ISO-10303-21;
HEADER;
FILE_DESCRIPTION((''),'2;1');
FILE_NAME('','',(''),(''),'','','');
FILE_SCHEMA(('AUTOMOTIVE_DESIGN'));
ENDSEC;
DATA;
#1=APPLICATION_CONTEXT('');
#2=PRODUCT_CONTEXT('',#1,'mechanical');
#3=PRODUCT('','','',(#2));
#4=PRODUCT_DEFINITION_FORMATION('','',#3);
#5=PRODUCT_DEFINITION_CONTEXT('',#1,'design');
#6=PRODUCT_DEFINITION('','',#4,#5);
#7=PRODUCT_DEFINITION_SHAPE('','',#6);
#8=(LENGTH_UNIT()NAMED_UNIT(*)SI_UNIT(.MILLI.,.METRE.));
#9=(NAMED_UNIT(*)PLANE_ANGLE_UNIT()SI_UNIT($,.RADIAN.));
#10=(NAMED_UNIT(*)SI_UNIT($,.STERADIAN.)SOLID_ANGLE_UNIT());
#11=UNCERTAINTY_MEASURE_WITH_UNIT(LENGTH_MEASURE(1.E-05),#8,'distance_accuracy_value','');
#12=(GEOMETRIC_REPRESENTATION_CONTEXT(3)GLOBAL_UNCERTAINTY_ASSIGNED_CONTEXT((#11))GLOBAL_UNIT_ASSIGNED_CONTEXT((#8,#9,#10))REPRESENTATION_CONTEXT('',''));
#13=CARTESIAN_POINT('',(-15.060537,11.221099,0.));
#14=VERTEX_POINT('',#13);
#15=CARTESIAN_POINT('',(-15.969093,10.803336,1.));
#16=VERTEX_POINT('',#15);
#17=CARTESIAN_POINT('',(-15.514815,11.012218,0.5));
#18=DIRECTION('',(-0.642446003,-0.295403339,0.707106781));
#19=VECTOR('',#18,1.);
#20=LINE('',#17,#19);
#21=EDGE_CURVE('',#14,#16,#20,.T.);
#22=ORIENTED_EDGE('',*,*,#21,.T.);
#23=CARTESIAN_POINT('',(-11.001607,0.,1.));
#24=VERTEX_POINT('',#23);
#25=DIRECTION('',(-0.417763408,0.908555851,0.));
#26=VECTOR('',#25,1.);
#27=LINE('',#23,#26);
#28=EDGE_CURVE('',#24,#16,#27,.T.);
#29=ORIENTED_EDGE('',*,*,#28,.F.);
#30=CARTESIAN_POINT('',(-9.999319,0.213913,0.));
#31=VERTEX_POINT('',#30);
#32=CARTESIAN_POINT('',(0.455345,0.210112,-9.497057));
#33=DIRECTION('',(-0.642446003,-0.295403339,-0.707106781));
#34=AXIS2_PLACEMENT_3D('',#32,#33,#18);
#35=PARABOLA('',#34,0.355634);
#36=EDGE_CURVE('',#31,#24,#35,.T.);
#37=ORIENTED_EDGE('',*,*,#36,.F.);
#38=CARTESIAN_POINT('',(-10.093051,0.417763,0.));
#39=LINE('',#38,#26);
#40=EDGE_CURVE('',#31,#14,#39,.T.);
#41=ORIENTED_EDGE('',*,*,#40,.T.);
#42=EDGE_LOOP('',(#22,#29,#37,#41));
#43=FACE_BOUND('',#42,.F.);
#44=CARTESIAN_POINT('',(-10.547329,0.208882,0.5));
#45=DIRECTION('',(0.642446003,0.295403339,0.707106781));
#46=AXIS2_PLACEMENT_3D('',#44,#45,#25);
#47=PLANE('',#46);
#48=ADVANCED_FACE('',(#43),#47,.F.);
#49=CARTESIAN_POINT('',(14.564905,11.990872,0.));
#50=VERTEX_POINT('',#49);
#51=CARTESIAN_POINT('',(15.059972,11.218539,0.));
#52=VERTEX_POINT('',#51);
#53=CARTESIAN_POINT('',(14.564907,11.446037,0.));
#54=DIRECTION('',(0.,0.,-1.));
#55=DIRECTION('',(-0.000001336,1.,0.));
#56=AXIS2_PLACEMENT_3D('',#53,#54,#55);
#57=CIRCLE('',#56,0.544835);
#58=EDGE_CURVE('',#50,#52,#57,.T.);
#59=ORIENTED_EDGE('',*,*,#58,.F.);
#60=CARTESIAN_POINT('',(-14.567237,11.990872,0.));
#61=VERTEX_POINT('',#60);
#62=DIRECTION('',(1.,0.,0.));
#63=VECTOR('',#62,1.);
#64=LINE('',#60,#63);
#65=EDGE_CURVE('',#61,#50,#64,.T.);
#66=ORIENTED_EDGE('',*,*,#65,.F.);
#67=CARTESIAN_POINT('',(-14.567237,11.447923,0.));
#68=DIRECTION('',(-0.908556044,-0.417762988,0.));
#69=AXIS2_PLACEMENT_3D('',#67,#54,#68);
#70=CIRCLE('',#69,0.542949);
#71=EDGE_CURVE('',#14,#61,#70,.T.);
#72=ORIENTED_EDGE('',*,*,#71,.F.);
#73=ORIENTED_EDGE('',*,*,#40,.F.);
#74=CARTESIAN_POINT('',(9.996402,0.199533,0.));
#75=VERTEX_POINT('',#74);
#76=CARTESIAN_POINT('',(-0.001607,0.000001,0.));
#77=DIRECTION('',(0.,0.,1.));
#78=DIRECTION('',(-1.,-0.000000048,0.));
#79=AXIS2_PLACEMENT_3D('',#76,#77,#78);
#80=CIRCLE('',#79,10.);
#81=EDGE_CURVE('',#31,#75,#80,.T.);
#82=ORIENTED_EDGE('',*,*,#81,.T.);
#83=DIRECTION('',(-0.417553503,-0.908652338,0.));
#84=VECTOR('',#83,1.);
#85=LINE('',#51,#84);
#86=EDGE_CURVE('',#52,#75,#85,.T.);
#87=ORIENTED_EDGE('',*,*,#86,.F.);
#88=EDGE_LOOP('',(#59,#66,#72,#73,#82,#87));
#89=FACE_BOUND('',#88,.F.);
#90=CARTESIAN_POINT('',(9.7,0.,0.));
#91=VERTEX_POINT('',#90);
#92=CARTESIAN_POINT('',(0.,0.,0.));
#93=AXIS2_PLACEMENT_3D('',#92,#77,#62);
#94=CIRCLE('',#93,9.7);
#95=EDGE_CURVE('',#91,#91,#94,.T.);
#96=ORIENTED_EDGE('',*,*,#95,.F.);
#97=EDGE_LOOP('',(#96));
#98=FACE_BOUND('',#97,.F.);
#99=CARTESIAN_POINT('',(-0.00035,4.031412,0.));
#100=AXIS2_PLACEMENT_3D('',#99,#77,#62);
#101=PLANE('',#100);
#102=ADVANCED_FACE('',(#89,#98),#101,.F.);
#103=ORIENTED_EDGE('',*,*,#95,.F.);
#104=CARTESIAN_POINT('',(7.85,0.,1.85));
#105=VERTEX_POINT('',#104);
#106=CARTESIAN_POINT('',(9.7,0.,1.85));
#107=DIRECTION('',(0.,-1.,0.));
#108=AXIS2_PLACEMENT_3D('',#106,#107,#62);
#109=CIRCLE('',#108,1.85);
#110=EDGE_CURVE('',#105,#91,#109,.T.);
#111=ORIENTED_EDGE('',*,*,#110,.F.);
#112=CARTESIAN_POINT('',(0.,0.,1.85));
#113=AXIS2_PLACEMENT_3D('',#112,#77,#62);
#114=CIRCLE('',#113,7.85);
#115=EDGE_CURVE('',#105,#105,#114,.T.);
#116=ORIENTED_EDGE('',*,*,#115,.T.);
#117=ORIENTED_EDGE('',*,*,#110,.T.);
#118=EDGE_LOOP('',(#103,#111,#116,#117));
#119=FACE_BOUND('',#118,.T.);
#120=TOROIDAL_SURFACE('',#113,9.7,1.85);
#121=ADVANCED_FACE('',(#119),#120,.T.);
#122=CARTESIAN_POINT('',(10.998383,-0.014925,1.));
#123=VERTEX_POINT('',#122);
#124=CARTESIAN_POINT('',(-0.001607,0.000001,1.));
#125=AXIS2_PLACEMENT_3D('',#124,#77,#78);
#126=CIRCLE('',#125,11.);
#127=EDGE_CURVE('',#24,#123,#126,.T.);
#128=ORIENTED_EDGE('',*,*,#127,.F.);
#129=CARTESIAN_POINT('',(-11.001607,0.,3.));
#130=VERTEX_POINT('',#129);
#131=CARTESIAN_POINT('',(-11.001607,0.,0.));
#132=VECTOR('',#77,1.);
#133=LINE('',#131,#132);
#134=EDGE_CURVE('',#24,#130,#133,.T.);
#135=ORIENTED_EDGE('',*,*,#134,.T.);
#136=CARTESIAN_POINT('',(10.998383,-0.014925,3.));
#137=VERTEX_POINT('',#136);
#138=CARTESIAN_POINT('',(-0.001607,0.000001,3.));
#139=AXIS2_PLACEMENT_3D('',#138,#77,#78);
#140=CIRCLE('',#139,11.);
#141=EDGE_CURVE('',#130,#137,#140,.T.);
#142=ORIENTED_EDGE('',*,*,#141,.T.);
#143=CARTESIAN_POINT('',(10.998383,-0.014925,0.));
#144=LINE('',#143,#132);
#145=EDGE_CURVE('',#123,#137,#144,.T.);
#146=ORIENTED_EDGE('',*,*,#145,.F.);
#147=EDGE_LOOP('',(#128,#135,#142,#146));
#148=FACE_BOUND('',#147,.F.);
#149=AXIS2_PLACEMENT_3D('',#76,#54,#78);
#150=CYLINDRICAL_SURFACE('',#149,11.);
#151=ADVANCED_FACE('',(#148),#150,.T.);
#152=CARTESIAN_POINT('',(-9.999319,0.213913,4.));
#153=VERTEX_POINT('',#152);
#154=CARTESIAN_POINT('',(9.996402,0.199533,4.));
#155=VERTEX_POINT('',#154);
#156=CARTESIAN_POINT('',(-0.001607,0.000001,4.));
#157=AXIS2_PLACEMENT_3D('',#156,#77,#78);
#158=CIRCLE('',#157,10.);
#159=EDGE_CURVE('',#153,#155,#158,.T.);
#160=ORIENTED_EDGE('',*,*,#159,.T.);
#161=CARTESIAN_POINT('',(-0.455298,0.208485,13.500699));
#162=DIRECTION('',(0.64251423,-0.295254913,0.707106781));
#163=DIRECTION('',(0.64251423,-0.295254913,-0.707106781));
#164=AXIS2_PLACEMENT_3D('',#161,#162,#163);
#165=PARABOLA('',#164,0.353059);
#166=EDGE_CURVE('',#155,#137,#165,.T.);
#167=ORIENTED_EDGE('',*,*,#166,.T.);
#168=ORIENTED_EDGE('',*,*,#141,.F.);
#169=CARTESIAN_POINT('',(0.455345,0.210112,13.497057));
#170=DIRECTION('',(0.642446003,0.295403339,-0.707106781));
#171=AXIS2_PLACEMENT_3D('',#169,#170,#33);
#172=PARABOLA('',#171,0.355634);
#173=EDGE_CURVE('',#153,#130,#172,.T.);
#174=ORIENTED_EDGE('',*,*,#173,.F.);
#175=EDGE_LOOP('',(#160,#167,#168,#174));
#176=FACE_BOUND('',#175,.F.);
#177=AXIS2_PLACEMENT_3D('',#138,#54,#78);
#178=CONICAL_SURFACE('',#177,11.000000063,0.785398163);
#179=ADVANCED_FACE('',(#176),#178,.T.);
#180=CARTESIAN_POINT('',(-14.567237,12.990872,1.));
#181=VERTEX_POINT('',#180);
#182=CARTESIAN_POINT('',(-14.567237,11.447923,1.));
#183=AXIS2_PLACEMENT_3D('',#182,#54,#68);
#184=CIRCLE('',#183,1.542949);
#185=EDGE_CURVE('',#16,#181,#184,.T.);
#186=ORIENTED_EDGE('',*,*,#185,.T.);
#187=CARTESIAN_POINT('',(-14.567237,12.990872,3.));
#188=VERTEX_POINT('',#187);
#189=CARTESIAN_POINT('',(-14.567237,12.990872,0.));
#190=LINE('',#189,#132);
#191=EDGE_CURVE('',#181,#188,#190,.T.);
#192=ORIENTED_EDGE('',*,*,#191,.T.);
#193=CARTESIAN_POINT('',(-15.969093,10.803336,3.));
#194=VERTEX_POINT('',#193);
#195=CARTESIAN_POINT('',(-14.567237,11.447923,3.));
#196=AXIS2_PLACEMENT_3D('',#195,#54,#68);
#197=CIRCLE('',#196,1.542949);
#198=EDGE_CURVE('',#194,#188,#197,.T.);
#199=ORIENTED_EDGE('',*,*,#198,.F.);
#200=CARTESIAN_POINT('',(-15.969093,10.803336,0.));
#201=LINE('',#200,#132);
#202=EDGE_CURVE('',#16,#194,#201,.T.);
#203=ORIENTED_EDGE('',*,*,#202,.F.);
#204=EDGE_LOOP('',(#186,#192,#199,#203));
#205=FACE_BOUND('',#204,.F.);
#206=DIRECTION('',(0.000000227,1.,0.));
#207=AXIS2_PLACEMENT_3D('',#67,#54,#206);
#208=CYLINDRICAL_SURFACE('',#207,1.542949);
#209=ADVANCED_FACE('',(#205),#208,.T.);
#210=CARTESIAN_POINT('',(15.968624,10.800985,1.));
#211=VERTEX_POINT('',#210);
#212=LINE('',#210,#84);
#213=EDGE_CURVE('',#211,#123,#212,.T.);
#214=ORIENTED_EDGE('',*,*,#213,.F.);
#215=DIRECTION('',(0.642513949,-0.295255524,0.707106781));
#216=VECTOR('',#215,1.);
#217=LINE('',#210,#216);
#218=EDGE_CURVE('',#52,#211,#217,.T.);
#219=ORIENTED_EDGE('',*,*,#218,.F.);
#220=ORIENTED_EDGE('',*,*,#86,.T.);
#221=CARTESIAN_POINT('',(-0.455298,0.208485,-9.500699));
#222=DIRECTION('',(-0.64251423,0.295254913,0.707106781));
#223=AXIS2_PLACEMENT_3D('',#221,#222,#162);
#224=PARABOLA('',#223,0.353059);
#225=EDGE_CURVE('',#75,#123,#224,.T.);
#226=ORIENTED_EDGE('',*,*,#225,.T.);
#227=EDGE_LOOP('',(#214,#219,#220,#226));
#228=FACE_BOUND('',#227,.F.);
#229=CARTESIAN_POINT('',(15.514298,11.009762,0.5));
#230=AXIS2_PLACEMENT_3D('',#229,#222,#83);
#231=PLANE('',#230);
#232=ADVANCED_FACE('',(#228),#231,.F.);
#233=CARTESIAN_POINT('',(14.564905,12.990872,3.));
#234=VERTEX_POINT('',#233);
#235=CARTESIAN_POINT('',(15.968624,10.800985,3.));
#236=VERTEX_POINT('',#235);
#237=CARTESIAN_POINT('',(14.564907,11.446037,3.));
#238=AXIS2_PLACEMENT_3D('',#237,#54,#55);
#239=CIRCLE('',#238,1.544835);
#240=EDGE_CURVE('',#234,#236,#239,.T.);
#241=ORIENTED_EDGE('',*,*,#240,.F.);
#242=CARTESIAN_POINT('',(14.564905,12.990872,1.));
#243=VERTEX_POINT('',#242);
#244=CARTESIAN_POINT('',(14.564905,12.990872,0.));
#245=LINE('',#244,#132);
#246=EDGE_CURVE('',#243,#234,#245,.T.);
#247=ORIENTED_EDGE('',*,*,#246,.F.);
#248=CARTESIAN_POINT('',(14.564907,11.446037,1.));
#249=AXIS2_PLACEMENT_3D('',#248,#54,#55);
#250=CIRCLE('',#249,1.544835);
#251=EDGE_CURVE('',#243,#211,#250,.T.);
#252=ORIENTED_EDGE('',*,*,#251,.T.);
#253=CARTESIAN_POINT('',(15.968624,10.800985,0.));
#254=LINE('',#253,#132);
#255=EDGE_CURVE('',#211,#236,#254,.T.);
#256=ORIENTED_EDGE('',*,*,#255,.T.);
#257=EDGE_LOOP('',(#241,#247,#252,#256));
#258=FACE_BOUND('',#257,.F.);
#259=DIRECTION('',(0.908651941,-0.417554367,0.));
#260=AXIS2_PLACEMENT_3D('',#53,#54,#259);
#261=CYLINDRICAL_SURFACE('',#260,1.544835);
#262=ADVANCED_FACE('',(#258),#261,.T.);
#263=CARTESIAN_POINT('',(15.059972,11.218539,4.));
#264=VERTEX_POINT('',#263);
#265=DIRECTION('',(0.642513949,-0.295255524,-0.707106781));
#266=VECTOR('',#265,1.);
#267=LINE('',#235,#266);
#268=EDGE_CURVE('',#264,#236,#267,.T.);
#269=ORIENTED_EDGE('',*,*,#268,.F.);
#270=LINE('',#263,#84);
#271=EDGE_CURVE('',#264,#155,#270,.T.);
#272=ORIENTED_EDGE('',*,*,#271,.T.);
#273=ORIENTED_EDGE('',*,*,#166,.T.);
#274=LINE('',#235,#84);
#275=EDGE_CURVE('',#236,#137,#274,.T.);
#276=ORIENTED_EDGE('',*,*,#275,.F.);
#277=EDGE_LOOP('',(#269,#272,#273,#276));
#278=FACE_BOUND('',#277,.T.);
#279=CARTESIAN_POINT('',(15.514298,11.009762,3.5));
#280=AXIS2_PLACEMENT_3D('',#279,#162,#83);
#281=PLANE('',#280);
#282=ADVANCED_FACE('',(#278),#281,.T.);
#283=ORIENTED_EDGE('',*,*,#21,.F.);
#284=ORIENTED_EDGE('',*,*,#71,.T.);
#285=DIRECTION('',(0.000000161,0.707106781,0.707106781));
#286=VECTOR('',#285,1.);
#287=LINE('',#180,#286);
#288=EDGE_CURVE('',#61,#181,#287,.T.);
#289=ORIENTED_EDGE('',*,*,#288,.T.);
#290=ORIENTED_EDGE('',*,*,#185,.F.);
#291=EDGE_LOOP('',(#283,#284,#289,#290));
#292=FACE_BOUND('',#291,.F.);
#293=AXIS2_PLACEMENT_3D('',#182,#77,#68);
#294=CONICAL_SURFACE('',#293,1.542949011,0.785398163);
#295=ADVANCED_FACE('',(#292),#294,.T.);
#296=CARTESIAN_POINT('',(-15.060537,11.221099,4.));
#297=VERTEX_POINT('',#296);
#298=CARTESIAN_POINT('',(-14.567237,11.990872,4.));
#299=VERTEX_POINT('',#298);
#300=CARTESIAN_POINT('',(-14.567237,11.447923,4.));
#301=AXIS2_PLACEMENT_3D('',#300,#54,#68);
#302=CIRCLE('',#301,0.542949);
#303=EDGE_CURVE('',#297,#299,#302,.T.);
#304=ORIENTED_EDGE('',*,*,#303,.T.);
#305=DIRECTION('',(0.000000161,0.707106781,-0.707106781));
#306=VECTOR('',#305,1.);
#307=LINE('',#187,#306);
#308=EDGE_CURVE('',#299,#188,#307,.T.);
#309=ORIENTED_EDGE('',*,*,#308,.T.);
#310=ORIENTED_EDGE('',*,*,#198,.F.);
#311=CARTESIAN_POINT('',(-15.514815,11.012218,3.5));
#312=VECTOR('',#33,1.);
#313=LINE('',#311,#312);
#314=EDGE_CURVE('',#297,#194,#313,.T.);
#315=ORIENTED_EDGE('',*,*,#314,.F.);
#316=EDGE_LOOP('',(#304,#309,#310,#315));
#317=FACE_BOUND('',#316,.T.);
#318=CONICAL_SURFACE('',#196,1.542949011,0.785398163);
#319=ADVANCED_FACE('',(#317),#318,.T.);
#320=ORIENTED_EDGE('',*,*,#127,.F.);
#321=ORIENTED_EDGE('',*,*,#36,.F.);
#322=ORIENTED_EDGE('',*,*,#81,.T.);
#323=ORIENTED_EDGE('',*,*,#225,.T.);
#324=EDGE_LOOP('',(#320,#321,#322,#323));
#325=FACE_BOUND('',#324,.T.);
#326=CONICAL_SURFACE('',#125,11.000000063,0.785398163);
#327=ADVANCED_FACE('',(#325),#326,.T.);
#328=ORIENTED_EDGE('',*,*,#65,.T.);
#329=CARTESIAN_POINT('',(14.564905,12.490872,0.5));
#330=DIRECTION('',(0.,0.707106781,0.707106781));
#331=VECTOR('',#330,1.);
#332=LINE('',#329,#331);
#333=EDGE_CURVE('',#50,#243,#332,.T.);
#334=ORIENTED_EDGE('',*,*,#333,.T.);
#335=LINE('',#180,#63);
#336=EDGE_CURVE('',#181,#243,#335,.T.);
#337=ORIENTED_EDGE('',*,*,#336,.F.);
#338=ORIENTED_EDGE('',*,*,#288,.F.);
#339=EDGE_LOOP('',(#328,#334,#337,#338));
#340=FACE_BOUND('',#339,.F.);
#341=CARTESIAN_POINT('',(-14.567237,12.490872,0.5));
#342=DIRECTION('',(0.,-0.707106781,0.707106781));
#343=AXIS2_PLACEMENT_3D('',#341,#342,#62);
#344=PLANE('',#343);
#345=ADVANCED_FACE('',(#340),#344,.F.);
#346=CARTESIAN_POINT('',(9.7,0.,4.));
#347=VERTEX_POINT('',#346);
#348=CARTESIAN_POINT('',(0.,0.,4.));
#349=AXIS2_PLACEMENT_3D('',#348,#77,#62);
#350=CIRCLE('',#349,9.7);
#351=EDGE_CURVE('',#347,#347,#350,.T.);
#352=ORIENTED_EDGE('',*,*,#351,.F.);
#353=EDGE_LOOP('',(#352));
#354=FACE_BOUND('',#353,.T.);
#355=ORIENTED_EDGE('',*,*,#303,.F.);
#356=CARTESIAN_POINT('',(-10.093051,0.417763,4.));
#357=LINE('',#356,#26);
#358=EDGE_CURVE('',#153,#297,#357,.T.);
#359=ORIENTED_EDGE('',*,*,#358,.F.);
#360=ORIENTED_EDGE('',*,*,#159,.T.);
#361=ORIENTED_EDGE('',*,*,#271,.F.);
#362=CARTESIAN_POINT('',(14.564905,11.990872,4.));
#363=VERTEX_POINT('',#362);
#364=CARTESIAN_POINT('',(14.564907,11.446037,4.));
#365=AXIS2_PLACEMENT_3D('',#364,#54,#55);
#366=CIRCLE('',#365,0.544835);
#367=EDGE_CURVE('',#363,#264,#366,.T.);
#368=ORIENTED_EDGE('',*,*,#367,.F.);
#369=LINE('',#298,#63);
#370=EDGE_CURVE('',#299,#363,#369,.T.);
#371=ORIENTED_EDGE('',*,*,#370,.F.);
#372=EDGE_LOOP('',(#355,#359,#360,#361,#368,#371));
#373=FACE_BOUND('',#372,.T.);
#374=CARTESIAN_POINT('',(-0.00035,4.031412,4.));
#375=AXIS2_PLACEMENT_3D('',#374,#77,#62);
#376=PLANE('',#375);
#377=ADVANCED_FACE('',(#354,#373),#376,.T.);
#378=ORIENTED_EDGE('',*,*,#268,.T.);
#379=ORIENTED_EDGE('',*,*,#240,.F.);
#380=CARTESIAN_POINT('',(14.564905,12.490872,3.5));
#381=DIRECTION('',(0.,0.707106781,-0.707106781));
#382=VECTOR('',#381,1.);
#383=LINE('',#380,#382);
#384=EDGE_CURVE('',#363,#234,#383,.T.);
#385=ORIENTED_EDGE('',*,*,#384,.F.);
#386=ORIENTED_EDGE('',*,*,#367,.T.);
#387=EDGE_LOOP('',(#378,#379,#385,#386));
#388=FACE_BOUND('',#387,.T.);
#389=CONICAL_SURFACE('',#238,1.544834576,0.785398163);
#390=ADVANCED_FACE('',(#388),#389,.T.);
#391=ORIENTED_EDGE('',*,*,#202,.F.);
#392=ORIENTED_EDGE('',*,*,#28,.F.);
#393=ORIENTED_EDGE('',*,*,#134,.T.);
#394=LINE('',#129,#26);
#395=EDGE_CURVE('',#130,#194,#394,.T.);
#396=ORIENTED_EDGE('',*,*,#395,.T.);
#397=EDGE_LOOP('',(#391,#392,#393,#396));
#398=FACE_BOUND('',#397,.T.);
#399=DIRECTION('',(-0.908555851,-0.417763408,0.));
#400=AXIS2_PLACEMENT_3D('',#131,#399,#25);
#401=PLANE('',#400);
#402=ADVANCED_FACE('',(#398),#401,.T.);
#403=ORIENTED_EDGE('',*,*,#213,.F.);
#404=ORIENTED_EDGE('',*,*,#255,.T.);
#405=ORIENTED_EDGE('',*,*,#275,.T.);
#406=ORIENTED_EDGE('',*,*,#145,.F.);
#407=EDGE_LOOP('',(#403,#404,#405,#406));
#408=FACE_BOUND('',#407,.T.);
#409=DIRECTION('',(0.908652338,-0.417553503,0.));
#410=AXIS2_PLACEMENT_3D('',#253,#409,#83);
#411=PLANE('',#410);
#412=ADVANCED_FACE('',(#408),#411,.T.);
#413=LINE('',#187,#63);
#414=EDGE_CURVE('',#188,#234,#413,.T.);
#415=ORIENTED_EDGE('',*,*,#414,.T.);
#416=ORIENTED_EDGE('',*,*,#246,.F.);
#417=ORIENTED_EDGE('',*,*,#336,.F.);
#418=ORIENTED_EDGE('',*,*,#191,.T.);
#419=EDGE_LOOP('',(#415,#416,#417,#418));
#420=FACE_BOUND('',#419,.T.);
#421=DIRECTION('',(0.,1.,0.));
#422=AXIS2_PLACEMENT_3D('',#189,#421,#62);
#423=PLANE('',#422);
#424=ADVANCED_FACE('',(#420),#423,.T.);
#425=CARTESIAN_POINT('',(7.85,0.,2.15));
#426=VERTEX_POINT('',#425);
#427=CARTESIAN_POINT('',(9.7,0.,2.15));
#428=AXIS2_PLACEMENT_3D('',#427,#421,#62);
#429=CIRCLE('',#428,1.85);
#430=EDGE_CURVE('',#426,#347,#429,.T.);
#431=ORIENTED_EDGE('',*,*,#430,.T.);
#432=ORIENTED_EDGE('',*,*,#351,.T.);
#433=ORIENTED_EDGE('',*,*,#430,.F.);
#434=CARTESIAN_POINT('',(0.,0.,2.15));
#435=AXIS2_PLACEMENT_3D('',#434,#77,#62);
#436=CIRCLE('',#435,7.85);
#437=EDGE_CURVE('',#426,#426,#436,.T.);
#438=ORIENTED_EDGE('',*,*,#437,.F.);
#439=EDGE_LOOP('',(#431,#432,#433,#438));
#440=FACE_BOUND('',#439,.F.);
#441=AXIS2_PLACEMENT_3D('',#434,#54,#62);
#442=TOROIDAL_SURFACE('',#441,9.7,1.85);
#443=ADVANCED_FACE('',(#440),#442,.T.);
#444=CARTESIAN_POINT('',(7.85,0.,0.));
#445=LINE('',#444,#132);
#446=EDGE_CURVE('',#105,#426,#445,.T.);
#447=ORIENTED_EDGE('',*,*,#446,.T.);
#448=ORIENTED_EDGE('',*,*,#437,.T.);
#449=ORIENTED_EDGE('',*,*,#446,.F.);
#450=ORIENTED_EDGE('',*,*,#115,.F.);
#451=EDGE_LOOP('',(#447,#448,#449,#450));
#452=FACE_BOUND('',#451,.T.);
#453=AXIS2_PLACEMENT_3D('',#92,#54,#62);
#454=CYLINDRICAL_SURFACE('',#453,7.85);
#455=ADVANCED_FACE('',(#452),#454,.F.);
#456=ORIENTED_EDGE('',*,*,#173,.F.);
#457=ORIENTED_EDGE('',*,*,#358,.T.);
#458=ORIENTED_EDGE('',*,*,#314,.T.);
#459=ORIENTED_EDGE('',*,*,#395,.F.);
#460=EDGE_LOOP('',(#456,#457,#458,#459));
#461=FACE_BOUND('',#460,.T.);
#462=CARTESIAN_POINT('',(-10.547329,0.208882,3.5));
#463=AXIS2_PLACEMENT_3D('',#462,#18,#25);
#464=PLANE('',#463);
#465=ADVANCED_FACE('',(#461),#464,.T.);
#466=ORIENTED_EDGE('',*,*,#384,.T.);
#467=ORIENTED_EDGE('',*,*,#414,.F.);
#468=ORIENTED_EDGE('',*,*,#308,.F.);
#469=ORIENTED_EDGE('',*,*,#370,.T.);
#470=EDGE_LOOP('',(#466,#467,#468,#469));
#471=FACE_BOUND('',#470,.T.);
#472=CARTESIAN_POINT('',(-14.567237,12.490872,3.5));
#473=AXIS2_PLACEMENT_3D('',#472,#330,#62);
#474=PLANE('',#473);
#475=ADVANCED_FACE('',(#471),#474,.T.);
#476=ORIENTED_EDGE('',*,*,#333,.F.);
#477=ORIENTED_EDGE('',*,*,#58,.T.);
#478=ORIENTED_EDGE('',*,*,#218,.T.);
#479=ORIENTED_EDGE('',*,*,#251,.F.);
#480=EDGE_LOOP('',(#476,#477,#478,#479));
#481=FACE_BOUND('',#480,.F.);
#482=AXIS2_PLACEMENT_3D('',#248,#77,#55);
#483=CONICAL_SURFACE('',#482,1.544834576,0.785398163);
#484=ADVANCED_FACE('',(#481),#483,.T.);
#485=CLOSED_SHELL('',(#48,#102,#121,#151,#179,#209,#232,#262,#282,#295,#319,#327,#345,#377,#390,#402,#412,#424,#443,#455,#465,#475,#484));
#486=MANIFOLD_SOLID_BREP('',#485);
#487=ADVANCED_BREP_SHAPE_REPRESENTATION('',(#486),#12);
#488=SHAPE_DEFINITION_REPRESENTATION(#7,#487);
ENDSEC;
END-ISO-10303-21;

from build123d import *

# Parameters (mm, degrees)
SKETCH_R     = 7.85
PAD_DEPTH    = 4
FILLET_R     = 1.85
CHAMFER_SIZE = 1


with BuildPart() as part:
    # Sketch → Pad (new body)
    with BuildSketch(Plane.XY):
        with BuildLine():
            ThreePointArc((-11.001607, 0), (-0.009069, -10.999997), (10.998383, -0.014925))
            Line((15.968624, 10.800985), (10.998383, -0.014925))
            ThreePointArc((15.968624, 10.800985), (15.865486, 12.279709), (14.564905, 12.990872))
            Line((-14.567237, 12.990872), (14.564905, 12.990872))
            ThreePointArc((-14.567237, 12.990872), (-15.866325, 12.280427), (-15.969093, 10.803336))
            Line((-11.001607, 0), (-15.969093, 10.803336))
        make_face()
        Circle(SKETCH_R, mode=Mode.SUBTRACT)
    extrude(amount=PAD_DEPTH)

    # Fillet
    fillet_edges = [part.edges().sort_by_distance(p)[0] for p in [
        (-7.85, 0, 4),
        (-7.85, 0, 0),
    ]]
    fillet(fillet_edges, radius=FILLET_R)

    # Chamfer
    chamfer_edges = [part.edges().sort_by_distance(p)[0] for p in [
        (15.968624, 10.800985, 2),
        (13.483504, 5.39303, 4),
        (15.865486, 12.279709, 4),
        (-0.001166, 12.990872, 4),
        (-15.866325, 12.280427, 4),
        (-13.48535, 5.401668, 4),
        (-0.009069, -10.999997, 4),
        (-9.7, 0, 4),
        (-0.009069, -10.999997, 0),
        (13.483504, 5.39303, 0),
        (15.865486, 12.279709, 0),
        (-0.001166, 12.990872, 0),
        (-13.48535, 5.401668, 0),
    ]]
    chamfer(chamfer_edges, length=CHAMFER_SIZE)


solid = part.part
